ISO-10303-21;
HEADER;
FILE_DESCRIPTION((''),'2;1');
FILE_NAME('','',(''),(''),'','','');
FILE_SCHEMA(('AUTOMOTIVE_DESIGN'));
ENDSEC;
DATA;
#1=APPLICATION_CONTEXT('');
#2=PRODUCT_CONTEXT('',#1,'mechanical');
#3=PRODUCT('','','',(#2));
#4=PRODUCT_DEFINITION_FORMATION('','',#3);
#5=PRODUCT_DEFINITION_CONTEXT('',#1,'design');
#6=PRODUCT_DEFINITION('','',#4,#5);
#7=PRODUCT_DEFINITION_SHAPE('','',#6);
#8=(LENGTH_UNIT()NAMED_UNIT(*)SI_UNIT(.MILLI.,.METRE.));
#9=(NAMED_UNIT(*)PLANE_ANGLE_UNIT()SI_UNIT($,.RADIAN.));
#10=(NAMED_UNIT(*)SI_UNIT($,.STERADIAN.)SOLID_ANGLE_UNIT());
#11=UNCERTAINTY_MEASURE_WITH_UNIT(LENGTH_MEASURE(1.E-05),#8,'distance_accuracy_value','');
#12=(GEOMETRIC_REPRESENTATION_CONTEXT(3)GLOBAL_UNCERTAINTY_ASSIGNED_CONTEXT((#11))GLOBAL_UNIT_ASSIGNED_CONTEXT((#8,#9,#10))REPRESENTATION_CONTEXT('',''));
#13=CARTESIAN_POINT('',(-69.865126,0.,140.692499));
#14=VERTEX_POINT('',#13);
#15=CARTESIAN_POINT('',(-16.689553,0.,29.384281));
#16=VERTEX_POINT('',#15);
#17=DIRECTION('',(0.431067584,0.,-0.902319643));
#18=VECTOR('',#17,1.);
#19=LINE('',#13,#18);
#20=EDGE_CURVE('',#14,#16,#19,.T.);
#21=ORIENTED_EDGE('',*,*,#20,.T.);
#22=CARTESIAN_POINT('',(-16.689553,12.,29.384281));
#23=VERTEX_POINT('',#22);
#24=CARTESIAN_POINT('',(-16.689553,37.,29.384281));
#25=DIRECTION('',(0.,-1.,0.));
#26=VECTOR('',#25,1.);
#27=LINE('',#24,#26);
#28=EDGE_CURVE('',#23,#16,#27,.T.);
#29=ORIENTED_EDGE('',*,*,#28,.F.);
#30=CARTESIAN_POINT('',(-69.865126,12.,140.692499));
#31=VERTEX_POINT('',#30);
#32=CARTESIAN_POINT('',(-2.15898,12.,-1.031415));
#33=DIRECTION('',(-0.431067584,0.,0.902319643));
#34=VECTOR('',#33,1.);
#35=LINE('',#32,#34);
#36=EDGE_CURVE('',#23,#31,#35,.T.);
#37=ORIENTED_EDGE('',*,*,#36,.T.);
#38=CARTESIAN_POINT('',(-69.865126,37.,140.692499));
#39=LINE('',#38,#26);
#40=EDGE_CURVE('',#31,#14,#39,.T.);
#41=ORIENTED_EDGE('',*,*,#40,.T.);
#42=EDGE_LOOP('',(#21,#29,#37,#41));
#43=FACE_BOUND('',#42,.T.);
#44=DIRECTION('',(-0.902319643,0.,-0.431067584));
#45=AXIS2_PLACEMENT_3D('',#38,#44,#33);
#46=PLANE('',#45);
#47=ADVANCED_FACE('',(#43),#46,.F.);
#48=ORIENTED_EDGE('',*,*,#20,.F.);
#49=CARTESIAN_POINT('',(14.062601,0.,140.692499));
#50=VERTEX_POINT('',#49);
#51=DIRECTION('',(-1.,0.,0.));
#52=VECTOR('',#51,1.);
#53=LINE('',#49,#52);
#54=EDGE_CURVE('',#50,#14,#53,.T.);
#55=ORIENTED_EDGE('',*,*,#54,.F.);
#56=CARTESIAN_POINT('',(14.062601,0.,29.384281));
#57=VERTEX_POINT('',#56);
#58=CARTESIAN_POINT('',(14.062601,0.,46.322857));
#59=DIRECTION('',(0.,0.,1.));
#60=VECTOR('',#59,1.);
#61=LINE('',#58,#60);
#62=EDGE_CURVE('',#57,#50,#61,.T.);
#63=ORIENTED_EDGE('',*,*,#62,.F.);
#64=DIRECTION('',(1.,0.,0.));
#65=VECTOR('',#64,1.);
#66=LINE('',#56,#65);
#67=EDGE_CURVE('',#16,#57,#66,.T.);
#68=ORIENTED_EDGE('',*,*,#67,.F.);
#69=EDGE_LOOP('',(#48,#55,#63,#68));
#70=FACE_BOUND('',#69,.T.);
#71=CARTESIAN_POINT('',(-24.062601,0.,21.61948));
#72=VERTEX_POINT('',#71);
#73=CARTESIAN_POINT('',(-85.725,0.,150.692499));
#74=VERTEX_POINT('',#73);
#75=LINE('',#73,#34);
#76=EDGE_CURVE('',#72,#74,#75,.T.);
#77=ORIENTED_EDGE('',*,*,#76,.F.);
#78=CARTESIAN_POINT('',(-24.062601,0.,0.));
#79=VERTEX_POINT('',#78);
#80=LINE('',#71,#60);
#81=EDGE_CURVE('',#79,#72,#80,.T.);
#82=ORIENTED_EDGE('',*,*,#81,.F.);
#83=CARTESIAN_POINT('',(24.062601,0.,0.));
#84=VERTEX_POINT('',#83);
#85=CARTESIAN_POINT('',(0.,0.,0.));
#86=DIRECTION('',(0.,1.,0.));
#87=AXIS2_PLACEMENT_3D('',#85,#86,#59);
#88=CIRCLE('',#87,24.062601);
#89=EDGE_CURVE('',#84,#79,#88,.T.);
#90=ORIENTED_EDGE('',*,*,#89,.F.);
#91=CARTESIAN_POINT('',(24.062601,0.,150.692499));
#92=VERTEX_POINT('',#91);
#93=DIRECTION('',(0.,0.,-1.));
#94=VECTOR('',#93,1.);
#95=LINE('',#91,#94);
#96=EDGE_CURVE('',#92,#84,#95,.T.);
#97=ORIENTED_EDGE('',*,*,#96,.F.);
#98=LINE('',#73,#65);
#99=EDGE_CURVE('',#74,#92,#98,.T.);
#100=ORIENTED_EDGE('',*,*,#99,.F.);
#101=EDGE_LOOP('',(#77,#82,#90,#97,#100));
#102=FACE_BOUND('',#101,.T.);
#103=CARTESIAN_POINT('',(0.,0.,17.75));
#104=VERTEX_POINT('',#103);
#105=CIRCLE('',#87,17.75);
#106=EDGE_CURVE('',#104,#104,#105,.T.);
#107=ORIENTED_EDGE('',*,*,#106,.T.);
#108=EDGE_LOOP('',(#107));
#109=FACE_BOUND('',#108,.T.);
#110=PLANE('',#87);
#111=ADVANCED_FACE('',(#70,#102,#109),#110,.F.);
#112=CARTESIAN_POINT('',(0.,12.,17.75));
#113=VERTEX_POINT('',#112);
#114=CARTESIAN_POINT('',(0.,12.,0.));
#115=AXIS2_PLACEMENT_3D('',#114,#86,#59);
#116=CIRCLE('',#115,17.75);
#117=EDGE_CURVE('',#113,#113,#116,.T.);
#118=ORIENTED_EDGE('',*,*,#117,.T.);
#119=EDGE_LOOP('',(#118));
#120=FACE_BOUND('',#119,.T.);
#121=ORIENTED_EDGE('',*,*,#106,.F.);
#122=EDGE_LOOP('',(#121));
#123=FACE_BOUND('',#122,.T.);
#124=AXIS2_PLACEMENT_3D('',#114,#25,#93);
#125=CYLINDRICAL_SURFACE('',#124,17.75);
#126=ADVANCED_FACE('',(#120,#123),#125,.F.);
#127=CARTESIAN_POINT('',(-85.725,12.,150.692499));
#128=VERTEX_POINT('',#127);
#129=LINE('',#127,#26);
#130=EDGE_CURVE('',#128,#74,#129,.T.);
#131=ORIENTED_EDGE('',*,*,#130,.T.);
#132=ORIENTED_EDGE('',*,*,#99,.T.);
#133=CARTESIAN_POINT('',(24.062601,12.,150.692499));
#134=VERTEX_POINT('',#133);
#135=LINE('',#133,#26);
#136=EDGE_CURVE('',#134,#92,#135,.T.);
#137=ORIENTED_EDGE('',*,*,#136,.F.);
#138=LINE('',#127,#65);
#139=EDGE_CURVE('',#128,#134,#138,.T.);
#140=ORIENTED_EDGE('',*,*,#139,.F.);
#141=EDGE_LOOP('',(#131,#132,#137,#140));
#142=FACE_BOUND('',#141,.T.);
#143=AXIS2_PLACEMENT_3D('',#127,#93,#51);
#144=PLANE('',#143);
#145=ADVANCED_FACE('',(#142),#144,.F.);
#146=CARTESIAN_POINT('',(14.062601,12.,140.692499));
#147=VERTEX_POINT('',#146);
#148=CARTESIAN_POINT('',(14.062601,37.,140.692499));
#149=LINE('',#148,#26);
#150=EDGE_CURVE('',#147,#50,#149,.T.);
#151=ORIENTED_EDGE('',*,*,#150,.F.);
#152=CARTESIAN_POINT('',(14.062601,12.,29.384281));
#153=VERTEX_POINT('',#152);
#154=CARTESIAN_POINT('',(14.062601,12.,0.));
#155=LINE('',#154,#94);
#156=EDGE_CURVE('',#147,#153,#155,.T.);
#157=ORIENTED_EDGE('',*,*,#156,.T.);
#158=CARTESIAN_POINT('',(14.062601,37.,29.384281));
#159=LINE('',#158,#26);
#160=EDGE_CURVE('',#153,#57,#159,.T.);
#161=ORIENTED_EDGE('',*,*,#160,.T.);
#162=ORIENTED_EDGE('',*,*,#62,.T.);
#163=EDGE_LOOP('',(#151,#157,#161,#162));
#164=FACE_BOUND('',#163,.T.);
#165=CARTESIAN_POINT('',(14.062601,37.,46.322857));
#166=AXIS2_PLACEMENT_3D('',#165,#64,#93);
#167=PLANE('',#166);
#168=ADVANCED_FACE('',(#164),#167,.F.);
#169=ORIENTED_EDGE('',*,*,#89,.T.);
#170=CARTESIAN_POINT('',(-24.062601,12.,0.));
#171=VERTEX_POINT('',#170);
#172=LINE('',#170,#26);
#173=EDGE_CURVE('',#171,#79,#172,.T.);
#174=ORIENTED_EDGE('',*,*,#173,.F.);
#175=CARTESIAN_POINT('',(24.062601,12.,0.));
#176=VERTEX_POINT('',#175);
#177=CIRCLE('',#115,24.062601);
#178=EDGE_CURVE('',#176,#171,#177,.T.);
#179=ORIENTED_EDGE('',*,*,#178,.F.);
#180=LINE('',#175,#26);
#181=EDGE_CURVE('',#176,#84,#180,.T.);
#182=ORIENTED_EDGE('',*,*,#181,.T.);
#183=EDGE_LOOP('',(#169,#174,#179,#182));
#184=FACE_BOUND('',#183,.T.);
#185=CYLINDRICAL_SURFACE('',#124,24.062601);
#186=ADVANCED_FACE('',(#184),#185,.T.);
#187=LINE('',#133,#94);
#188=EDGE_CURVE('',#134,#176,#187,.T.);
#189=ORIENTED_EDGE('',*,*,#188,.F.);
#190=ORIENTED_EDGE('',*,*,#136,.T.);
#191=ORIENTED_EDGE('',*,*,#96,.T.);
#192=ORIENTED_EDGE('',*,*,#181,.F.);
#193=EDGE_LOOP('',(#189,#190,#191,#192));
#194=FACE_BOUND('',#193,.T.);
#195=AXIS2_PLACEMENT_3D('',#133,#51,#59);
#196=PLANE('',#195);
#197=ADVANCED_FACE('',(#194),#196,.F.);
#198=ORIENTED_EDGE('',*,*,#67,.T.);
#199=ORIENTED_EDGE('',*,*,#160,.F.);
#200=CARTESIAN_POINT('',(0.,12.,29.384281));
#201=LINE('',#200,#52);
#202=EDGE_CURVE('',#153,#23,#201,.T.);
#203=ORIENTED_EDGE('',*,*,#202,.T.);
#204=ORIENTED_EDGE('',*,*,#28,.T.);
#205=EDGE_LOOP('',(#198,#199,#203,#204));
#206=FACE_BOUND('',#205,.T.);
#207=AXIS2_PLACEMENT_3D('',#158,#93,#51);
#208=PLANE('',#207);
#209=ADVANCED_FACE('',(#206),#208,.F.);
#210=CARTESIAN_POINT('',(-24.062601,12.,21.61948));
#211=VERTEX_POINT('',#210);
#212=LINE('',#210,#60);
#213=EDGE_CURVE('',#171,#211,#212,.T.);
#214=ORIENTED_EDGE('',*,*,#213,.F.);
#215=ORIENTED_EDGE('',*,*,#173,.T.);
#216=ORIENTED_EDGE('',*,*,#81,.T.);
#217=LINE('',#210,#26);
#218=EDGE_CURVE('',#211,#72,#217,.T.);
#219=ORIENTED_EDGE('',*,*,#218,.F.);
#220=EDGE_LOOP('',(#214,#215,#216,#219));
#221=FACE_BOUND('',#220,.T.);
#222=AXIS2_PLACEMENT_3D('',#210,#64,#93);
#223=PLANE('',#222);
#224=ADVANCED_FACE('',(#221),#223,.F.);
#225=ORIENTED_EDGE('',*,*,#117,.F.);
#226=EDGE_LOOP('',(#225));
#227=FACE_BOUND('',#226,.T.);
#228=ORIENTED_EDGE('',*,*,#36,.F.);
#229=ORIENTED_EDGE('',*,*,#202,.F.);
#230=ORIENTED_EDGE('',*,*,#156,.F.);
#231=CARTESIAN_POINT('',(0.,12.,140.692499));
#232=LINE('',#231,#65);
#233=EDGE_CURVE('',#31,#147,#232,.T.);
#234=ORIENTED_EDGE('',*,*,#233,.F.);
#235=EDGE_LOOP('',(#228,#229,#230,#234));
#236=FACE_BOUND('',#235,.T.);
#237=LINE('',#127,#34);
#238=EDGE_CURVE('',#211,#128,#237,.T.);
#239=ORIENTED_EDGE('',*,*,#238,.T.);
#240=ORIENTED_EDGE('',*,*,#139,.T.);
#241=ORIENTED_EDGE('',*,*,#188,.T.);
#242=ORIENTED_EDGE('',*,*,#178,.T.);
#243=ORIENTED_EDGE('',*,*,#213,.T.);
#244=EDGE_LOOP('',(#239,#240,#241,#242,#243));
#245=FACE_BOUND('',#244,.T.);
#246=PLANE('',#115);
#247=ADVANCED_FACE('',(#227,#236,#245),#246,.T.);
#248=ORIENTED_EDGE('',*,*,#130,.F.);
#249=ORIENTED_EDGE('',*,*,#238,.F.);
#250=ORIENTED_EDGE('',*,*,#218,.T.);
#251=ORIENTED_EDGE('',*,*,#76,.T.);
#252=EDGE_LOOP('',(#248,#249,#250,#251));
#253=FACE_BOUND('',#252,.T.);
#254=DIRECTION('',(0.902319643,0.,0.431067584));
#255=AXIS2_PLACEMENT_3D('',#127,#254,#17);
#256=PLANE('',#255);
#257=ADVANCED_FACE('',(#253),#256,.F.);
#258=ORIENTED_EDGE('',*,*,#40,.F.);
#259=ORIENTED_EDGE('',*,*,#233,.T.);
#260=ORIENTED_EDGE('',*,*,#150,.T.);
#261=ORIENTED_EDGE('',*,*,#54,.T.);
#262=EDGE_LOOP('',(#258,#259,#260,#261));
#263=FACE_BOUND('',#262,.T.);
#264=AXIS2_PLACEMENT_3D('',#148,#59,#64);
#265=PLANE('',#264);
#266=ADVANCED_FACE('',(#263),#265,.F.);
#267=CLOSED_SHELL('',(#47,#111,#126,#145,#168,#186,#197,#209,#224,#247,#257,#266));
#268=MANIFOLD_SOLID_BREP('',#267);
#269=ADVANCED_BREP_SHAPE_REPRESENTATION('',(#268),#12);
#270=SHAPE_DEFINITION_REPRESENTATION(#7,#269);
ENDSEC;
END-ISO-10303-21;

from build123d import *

# Parameters (mm, degrees)
SKETCH1_R           = 17.75
BOSS_EXTRUDE1_DEPTH = 12
CUT_EXTRUDE1_DEPTH  = 37


with BuildPart() as part:
    # Sketch1 → Boss-Extrude1 (new body)
    with BuildSketch(Plane(origin=(0, 0, 0), x_dir=(1, 0, 0), z_dir=(0, 1, 0))):
        with BuildLine():
            Line((-85.725, -150.69249853), (24.062600581, -150.69249853))
            Line((24.062600581, -150.69249853), (24.062600581, 0))
            ThreePointArc((24.062600581, 0), (0, 24.062600581), (-24.062600581, 0))
            Line((-24.062600581, 0), (-24.062600581, -21.619479895))
            Line((-24.062600581, -21.619479895), (-85.725, -150.69249853))
        make_face()
        with Locations(Location((0, 0, 0), (0, 0, 270))):
            Circle(SKETCH1_R, mode=Mode.SUBTRACT)
    extrude(amount=BOSS_EXTRUDE1_DEPTH)

    # Sketch3 → Cut-Extrude1 (cut)
    with BuildSketch(Plane.XZ):
        Polygon((14.062600581, 46.322856575), (14.062600581, 29.384281384), (-16.689552863, 29.384281384), (-69.865126015, 140.69249853), (14.062600581, 140.69249853), align=None)
    extrude(amount=-CUT_EXTRUDE1_DEPTH, mode=Mode.SUBTRACT)


solid = part.part
